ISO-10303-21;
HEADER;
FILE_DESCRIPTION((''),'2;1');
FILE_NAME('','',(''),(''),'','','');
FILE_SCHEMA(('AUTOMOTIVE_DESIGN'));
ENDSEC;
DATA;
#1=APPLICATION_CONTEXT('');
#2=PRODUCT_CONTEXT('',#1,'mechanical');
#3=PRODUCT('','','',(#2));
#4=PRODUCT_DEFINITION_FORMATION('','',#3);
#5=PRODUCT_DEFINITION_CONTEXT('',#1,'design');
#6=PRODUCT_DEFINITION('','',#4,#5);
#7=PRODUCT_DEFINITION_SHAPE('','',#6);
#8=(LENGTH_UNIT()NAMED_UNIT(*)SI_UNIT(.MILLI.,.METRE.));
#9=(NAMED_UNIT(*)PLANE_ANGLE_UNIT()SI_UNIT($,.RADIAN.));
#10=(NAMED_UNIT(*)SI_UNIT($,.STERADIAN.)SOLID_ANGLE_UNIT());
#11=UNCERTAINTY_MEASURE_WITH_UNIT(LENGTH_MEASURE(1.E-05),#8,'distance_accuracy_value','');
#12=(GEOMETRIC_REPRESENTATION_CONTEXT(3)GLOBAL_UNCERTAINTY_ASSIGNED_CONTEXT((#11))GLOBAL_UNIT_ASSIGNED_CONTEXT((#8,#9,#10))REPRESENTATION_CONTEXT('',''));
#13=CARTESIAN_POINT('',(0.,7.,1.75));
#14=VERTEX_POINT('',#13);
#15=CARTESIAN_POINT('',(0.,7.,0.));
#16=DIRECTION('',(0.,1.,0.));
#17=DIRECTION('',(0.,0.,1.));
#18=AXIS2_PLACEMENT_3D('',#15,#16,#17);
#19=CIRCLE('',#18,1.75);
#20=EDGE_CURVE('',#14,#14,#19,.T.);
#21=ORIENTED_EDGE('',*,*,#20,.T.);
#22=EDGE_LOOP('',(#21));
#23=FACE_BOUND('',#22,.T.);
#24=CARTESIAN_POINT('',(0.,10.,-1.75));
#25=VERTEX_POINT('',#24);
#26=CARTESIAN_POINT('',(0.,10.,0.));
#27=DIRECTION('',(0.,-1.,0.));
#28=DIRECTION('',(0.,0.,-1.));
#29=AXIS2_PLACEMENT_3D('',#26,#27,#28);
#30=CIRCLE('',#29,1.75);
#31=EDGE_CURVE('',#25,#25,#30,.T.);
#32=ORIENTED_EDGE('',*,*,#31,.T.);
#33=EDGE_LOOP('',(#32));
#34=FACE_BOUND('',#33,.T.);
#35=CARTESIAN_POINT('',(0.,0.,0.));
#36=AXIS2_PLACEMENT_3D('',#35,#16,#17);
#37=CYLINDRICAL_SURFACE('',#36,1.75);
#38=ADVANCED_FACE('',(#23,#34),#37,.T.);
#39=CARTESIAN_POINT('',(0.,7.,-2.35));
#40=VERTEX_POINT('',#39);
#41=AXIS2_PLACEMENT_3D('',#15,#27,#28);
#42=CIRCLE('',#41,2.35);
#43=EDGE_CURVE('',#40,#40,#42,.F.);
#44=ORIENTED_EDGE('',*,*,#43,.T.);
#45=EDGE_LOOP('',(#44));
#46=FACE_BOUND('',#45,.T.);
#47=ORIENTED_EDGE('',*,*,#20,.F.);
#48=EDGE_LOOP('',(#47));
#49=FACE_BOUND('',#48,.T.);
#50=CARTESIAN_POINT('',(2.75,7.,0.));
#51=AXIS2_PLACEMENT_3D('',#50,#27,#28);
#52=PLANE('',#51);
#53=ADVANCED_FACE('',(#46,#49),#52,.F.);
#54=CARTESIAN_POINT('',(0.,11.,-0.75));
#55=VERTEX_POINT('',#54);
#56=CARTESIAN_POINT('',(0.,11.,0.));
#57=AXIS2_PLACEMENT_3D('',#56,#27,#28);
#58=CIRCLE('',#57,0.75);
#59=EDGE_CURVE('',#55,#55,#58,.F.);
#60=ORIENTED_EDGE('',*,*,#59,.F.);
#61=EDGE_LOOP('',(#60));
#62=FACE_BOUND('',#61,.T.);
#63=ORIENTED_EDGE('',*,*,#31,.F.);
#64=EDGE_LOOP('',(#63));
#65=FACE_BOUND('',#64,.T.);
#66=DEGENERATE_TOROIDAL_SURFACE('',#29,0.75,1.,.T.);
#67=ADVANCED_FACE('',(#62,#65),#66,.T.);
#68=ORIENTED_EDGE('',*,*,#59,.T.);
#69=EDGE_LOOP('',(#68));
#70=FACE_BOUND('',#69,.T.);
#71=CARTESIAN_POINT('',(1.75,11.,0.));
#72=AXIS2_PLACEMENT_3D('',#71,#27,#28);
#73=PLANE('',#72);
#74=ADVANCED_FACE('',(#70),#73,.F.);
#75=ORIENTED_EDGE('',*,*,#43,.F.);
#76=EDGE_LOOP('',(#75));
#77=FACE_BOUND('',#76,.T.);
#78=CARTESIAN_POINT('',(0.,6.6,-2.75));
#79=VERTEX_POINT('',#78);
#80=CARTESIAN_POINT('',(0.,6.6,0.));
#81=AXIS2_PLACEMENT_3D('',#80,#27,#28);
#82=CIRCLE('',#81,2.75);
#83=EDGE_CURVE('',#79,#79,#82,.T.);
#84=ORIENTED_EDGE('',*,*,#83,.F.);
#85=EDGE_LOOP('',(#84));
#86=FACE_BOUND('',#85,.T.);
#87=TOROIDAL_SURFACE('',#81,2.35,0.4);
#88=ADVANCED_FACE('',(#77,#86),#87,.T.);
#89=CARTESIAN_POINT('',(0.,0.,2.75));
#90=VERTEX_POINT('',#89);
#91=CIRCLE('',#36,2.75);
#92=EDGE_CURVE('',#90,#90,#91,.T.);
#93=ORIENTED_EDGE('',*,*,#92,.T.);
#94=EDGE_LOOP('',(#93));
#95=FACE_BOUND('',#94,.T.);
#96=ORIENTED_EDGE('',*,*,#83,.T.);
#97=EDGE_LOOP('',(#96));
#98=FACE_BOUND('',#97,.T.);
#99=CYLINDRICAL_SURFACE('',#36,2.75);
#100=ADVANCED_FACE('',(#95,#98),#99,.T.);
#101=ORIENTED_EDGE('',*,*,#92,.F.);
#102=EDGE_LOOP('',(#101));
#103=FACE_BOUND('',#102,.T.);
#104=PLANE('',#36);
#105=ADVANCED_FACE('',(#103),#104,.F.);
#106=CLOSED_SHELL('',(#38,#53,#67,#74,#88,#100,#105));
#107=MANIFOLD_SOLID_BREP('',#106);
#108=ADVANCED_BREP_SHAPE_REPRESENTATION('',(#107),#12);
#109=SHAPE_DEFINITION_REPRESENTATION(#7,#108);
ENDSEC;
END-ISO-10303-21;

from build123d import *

# Parameters (mm, degrees)
FILLET1_R = 1
FILLET2_R = 0.4


with BuildPart() as part:
    # Sketch1 → Revolve1 (revolve)
    with BuildSketch(Plane.XY, mode=Mode.PRIVATE) as revolve1_sk:
        Polygon((0, 0), (2.75, 0), (2.75, 7), (1.75, 7), (1.75, 11), (0, 11), align=None)
    revolve(revolve1_sk.sketch.rotate(Axis((0, 0, 0), (0, -1, 0)), 90), axis=Axis((0, 0, 0), (0, -1, 0)))

    # Fillet1
    fillet1_edges = [part.edges().sort_by_distance(p)[0] for p in [
        (0, 11, -1.75),
    ]]
    fillet(fillet1_edges, radius=FILLET1_R)

    # Fillet2
    fillet2_edges = [part.edges().sort_by_distance(p)[0] for p in [
        (0, 7, -2.75),
    ]]
    fillet(fillet2_edges, radius=FILLET2_R)


solid = part.part
